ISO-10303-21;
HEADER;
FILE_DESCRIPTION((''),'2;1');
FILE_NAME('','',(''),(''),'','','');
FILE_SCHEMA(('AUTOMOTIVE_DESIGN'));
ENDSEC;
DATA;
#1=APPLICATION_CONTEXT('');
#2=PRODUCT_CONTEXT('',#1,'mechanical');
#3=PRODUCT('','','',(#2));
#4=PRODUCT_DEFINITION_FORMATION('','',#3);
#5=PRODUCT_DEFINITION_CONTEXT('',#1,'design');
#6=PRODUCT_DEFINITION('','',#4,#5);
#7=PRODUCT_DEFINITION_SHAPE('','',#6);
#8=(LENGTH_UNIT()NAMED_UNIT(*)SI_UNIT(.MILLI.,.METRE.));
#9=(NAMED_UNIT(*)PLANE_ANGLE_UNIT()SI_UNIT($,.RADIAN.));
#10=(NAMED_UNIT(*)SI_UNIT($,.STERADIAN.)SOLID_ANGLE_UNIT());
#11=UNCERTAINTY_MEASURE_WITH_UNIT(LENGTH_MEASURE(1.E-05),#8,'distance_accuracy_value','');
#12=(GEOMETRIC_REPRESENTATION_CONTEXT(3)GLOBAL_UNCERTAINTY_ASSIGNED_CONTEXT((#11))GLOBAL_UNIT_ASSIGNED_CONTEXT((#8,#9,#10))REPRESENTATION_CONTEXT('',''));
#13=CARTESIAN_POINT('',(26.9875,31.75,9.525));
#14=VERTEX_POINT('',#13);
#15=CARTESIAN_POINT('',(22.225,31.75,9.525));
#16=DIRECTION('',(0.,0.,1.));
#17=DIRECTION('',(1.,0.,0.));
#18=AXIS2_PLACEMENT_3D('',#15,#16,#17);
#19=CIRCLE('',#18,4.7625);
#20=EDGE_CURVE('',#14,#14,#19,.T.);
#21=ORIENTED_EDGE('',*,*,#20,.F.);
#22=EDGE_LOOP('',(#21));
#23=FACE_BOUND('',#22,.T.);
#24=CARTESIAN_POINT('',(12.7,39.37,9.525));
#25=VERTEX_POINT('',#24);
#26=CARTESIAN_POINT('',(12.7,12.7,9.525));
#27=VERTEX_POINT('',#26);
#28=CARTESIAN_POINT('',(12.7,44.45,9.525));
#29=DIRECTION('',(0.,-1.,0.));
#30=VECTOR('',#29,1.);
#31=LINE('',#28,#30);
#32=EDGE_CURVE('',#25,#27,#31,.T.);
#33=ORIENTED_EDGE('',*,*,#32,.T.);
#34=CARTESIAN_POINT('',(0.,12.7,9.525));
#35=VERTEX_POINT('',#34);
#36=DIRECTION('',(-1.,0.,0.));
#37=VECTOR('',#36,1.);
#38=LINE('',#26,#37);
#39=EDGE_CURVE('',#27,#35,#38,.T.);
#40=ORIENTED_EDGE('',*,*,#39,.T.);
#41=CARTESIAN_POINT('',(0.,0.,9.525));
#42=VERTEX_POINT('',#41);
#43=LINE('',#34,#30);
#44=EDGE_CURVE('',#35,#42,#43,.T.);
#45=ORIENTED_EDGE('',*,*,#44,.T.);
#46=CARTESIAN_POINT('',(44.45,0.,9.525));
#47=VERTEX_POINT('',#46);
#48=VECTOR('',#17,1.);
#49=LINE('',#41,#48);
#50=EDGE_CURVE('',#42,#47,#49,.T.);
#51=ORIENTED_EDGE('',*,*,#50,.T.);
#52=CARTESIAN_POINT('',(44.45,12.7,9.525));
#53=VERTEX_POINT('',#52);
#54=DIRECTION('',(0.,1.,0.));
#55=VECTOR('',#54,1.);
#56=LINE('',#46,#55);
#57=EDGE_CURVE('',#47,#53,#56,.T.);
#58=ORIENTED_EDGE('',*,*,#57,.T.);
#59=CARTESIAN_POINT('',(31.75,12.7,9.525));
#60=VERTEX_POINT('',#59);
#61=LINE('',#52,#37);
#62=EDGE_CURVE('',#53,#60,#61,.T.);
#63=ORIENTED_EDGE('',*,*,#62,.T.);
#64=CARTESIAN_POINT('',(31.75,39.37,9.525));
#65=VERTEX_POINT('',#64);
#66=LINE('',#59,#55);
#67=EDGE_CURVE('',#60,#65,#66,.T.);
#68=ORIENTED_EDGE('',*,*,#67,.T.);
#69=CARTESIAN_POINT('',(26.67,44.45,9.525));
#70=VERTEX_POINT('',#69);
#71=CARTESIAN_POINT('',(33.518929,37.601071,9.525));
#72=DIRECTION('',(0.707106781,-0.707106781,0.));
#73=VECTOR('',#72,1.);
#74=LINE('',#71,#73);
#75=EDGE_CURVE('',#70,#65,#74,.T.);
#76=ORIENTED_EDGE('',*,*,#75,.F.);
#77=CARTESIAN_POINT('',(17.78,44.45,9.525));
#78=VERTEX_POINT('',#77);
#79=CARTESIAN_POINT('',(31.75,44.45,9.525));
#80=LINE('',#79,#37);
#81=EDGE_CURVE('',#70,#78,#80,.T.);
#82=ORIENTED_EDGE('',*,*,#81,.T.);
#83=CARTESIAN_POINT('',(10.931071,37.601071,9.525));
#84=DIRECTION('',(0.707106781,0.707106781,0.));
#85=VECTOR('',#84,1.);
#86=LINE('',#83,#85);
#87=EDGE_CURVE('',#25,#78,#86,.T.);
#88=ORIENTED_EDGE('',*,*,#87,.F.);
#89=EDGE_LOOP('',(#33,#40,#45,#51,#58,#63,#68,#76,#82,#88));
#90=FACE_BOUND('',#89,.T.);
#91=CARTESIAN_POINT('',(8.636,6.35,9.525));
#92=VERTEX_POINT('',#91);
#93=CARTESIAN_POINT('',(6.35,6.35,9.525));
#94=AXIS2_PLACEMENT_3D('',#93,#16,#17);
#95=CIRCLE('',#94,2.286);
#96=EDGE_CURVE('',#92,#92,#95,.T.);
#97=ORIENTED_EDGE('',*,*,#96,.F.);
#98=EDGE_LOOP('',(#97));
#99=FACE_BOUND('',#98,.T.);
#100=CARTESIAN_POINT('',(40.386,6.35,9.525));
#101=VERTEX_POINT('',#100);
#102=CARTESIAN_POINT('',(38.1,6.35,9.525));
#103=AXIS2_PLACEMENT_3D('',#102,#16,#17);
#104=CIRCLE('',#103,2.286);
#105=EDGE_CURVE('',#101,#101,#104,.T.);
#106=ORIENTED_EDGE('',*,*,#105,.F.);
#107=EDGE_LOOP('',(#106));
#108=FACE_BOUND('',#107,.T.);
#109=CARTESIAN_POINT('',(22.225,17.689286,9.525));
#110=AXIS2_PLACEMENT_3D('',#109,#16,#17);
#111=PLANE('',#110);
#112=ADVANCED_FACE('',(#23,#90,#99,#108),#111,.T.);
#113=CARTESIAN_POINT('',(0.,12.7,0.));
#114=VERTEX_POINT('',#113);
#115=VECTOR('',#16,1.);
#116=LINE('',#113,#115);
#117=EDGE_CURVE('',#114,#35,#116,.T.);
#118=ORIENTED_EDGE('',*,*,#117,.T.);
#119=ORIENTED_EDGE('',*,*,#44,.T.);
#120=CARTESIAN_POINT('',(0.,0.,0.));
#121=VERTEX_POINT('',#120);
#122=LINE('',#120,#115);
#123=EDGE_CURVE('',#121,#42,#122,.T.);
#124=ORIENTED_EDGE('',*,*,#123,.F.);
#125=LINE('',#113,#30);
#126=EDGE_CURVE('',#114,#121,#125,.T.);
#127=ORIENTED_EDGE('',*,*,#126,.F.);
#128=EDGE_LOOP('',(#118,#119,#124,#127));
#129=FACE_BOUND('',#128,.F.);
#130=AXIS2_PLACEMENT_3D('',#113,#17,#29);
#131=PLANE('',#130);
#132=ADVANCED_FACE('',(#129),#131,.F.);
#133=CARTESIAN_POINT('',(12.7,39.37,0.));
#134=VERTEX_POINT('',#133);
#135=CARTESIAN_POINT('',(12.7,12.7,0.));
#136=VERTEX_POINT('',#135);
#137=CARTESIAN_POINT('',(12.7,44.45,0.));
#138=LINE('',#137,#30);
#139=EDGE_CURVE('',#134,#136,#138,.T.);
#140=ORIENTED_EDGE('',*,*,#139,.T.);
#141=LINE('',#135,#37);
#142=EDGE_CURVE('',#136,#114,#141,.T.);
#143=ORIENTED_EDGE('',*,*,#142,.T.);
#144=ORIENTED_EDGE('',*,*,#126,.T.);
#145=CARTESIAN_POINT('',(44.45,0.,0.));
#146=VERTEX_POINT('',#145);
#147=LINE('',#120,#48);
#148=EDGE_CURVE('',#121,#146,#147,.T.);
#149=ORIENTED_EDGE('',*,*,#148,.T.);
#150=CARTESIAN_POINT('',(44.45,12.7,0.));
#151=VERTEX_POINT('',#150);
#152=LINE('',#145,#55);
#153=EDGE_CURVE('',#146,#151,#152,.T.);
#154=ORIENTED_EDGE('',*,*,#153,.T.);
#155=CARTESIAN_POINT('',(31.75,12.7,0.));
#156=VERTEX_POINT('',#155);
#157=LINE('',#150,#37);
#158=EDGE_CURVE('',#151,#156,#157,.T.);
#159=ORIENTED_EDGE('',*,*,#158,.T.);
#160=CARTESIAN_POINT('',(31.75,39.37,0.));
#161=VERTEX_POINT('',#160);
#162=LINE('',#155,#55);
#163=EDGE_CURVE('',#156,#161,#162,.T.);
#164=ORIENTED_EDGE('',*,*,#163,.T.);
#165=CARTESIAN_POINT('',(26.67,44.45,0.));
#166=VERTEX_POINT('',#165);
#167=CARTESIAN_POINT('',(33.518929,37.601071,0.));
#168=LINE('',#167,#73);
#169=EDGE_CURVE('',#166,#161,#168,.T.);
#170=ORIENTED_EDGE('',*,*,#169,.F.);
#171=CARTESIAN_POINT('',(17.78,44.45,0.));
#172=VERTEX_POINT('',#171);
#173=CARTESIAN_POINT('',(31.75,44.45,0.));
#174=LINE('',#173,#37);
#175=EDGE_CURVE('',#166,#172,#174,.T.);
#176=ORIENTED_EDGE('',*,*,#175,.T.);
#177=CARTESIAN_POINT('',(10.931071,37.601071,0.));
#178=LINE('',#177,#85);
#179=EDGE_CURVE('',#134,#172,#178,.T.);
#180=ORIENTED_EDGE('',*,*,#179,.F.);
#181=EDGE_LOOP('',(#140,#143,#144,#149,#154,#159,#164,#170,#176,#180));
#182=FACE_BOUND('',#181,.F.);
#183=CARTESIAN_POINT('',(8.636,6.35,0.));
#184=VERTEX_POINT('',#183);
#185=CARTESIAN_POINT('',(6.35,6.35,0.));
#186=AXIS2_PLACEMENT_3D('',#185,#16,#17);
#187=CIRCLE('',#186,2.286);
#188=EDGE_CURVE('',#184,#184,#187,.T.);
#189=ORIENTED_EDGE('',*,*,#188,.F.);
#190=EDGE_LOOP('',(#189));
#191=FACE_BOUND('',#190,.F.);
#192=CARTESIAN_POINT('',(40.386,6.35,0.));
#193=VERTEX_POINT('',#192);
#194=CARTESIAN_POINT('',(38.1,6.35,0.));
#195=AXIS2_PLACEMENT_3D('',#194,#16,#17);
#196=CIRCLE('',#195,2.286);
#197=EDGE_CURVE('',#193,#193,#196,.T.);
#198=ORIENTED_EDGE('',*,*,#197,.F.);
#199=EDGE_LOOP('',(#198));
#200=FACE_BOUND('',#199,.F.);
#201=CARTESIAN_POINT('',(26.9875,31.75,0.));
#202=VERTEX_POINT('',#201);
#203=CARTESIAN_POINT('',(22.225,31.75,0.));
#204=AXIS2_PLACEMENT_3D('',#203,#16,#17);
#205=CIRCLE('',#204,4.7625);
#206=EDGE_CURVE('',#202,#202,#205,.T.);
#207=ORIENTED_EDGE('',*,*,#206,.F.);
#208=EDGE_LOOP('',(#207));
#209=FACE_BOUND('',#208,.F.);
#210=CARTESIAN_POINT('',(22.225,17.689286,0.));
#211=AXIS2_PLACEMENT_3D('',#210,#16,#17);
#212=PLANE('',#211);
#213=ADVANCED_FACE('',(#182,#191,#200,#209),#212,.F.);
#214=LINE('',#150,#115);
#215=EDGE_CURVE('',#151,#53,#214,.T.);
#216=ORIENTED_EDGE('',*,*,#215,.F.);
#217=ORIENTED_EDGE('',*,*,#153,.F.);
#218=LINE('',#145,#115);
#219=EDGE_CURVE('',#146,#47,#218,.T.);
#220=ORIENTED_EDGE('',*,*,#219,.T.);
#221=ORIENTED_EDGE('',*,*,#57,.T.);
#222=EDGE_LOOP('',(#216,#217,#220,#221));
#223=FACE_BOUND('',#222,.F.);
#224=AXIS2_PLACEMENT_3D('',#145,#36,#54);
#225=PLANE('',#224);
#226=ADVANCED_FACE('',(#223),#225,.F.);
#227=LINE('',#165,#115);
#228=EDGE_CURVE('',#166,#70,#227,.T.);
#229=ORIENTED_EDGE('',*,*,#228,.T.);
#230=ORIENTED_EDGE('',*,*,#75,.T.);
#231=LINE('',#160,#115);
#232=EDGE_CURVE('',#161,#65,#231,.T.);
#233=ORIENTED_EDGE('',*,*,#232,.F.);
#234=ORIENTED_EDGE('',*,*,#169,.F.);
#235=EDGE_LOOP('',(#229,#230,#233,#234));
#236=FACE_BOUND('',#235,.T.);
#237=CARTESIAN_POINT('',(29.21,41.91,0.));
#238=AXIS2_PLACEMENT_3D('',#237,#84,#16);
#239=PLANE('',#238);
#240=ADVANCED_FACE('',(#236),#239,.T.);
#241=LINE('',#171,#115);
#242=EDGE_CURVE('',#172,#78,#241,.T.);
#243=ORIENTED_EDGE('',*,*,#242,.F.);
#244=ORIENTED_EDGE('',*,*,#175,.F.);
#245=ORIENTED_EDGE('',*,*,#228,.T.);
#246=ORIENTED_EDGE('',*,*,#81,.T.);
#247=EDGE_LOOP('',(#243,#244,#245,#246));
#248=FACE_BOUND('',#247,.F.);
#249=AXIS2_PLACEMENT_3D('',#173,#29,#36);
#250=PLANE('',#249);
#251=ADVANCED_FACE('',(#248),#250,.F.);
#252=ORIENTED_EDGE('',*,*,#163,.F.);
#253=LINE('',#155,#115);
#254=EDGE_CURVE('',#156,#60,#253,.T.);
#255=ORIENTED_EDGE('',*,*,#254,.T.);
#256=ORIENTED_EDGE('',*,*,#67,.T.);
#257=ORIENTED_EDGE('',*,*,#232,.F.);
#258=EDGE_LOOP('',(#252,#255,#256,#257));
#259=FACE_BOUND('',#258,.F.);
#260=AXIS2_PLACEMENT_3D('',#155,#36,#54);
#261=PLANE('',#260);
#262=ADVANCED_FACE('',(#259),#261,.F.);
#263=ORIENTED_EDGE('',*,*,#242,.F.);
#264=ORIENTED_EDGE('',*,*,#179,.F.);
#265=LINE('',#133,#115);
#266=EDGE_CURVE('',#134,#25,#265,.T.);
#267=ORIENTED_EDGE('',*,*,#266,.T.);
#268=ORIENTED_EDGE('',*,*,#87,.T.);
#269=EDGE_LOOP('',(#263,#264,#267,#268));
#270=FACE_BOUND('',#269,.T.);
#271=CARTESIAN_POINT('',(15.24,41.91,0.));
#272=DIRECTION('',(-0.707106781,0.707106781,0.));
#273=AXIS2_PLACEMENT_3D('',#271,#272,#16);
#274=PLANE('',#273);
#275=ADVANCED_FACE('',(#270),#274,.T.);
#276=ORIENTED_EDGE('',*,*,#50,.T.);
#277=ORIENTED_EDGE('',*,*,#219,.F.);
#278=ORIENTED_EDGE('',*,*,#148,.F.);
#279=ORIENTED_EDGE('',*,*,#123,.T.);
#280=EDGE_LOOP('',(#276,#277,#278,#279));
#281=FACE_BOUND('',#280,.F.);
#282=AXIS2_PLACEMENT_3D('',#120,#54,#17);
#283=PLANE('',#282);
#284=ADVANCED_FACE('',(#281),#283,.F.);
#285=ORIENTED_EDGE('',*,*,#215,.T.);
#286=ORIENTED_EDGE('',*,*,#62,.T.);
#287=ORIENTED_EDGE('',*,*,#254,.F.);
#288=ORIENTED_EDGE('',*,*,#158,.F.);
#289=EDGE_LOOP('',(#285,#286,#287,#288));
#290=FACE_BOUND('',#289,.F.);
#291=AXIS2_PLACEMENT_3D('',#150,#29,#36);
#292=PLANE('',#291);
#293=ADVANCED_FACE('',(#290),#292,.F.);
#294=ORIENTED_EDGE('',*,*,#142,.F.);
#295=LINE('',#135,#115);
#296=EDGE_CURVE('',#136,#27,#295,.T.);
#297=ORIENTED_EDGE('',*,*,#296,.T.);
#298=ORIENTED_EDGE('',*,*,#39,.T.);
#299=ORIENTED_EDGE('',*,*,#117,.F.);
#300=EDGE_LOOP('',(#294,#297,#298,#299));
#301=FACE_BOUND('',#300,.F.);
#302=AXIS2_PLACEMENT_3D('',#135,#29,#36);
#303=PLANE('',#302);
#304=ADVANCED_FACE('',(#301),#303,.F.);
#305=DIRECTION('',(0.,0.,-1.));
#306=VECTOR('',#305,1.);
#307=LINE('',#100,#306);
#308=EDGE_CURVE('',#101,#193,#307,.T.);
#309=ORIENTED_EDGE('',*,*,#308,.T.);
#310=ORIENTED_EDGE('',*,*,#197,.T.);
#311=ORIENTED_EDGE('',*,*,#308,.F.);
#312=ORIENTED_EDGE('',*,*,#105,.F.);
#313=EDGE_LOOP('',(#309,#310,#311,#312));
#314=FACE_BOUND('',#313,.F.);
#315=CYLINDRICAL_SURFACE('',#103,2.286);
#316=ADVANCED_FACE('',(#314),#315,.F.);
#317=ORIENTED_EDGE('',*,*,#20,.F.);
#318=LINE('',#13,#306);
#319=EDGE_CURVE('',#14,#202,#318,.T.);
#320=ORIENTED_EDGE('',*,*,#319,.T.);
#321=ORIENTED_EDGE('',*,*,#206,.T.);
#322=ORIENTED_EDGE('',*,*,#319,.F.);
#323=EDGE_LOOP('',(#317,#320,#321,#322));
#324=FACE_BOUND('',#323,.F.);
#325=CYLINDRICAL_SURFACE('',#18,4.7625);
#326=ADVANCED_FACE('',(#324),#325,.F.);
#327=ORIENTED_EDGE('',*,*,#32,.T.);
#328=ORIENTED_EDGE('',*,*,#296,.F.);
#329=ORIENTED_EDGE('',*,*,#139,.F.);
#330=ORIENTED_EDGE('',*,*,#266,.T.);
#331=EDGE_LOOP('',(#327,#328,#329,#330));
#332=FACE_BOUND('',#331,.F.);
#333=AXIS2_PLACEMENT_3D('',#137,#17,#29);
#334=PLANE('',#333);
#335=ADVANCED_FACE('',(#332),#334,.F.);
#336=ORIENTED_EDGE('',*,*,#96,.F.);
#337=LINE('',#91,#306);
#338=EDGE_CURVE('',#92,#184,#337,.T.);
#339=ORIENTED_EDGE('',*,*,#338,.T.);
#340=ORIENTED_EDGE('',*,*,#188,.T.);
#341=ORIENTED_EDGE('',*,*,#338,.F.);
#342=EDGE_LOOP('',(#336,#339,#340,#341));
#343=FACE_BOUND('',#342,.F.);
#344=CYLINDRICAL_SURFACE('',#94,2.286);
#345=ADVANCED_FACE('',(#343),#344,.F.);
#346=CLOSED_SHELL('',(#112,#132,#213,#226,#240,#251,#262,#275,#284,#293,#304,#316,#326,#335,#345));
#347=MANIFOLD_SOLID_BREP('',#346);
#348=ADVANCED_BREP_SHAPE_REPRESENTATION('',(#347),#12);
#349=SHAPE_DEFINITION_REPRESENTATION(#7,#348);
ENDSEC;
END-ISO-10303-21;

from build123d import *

# Parameters (mm, degrees)
F1_DEPTH = 9.525
F2_R     = 4.7625
F2_R_2   = 2.286
F3_DEPTH = 25.4
F4_SIZE  = 5.08


with BuildPart() as f1:
    # F0 (on Top) → F1 (new body)
    with BuildSketch(Plane.XY):
        Polygon((0, 12.7), (0, 0), (44.45, 0), (44.45, 12.7), (31.75, 12.7), (31.75, 44.45), (12.7, 44.45), (12.7, 12.7), align=None)
    extrude(amount=F1_DEPTH)

    # F2 (on face) → F3 (cut)
    with BuildSketch(Plane.XY.offset(9.525)):
        with Locations((22.225, 31.75)):
            Circle(F2_R)
        with Locations((6.35, 6.35)):
            Circle(F2_R_2)
        with Locations((38.1, 6.35)):
            Circle(F2_R_2)
    extrude(amount=-F3_DEPTH, mode=Mode.SUBTRACT)

    # F4
    f4_edges = [f1.edges().sort_by_distance(p)[0] for p in [
        (12.7, 44.45, 4.7625),
        (31.75, 44.45, 4.7625),
    ]]
    chamfer(f4_edges, length=F4_SIZE)


solid = f1.part
